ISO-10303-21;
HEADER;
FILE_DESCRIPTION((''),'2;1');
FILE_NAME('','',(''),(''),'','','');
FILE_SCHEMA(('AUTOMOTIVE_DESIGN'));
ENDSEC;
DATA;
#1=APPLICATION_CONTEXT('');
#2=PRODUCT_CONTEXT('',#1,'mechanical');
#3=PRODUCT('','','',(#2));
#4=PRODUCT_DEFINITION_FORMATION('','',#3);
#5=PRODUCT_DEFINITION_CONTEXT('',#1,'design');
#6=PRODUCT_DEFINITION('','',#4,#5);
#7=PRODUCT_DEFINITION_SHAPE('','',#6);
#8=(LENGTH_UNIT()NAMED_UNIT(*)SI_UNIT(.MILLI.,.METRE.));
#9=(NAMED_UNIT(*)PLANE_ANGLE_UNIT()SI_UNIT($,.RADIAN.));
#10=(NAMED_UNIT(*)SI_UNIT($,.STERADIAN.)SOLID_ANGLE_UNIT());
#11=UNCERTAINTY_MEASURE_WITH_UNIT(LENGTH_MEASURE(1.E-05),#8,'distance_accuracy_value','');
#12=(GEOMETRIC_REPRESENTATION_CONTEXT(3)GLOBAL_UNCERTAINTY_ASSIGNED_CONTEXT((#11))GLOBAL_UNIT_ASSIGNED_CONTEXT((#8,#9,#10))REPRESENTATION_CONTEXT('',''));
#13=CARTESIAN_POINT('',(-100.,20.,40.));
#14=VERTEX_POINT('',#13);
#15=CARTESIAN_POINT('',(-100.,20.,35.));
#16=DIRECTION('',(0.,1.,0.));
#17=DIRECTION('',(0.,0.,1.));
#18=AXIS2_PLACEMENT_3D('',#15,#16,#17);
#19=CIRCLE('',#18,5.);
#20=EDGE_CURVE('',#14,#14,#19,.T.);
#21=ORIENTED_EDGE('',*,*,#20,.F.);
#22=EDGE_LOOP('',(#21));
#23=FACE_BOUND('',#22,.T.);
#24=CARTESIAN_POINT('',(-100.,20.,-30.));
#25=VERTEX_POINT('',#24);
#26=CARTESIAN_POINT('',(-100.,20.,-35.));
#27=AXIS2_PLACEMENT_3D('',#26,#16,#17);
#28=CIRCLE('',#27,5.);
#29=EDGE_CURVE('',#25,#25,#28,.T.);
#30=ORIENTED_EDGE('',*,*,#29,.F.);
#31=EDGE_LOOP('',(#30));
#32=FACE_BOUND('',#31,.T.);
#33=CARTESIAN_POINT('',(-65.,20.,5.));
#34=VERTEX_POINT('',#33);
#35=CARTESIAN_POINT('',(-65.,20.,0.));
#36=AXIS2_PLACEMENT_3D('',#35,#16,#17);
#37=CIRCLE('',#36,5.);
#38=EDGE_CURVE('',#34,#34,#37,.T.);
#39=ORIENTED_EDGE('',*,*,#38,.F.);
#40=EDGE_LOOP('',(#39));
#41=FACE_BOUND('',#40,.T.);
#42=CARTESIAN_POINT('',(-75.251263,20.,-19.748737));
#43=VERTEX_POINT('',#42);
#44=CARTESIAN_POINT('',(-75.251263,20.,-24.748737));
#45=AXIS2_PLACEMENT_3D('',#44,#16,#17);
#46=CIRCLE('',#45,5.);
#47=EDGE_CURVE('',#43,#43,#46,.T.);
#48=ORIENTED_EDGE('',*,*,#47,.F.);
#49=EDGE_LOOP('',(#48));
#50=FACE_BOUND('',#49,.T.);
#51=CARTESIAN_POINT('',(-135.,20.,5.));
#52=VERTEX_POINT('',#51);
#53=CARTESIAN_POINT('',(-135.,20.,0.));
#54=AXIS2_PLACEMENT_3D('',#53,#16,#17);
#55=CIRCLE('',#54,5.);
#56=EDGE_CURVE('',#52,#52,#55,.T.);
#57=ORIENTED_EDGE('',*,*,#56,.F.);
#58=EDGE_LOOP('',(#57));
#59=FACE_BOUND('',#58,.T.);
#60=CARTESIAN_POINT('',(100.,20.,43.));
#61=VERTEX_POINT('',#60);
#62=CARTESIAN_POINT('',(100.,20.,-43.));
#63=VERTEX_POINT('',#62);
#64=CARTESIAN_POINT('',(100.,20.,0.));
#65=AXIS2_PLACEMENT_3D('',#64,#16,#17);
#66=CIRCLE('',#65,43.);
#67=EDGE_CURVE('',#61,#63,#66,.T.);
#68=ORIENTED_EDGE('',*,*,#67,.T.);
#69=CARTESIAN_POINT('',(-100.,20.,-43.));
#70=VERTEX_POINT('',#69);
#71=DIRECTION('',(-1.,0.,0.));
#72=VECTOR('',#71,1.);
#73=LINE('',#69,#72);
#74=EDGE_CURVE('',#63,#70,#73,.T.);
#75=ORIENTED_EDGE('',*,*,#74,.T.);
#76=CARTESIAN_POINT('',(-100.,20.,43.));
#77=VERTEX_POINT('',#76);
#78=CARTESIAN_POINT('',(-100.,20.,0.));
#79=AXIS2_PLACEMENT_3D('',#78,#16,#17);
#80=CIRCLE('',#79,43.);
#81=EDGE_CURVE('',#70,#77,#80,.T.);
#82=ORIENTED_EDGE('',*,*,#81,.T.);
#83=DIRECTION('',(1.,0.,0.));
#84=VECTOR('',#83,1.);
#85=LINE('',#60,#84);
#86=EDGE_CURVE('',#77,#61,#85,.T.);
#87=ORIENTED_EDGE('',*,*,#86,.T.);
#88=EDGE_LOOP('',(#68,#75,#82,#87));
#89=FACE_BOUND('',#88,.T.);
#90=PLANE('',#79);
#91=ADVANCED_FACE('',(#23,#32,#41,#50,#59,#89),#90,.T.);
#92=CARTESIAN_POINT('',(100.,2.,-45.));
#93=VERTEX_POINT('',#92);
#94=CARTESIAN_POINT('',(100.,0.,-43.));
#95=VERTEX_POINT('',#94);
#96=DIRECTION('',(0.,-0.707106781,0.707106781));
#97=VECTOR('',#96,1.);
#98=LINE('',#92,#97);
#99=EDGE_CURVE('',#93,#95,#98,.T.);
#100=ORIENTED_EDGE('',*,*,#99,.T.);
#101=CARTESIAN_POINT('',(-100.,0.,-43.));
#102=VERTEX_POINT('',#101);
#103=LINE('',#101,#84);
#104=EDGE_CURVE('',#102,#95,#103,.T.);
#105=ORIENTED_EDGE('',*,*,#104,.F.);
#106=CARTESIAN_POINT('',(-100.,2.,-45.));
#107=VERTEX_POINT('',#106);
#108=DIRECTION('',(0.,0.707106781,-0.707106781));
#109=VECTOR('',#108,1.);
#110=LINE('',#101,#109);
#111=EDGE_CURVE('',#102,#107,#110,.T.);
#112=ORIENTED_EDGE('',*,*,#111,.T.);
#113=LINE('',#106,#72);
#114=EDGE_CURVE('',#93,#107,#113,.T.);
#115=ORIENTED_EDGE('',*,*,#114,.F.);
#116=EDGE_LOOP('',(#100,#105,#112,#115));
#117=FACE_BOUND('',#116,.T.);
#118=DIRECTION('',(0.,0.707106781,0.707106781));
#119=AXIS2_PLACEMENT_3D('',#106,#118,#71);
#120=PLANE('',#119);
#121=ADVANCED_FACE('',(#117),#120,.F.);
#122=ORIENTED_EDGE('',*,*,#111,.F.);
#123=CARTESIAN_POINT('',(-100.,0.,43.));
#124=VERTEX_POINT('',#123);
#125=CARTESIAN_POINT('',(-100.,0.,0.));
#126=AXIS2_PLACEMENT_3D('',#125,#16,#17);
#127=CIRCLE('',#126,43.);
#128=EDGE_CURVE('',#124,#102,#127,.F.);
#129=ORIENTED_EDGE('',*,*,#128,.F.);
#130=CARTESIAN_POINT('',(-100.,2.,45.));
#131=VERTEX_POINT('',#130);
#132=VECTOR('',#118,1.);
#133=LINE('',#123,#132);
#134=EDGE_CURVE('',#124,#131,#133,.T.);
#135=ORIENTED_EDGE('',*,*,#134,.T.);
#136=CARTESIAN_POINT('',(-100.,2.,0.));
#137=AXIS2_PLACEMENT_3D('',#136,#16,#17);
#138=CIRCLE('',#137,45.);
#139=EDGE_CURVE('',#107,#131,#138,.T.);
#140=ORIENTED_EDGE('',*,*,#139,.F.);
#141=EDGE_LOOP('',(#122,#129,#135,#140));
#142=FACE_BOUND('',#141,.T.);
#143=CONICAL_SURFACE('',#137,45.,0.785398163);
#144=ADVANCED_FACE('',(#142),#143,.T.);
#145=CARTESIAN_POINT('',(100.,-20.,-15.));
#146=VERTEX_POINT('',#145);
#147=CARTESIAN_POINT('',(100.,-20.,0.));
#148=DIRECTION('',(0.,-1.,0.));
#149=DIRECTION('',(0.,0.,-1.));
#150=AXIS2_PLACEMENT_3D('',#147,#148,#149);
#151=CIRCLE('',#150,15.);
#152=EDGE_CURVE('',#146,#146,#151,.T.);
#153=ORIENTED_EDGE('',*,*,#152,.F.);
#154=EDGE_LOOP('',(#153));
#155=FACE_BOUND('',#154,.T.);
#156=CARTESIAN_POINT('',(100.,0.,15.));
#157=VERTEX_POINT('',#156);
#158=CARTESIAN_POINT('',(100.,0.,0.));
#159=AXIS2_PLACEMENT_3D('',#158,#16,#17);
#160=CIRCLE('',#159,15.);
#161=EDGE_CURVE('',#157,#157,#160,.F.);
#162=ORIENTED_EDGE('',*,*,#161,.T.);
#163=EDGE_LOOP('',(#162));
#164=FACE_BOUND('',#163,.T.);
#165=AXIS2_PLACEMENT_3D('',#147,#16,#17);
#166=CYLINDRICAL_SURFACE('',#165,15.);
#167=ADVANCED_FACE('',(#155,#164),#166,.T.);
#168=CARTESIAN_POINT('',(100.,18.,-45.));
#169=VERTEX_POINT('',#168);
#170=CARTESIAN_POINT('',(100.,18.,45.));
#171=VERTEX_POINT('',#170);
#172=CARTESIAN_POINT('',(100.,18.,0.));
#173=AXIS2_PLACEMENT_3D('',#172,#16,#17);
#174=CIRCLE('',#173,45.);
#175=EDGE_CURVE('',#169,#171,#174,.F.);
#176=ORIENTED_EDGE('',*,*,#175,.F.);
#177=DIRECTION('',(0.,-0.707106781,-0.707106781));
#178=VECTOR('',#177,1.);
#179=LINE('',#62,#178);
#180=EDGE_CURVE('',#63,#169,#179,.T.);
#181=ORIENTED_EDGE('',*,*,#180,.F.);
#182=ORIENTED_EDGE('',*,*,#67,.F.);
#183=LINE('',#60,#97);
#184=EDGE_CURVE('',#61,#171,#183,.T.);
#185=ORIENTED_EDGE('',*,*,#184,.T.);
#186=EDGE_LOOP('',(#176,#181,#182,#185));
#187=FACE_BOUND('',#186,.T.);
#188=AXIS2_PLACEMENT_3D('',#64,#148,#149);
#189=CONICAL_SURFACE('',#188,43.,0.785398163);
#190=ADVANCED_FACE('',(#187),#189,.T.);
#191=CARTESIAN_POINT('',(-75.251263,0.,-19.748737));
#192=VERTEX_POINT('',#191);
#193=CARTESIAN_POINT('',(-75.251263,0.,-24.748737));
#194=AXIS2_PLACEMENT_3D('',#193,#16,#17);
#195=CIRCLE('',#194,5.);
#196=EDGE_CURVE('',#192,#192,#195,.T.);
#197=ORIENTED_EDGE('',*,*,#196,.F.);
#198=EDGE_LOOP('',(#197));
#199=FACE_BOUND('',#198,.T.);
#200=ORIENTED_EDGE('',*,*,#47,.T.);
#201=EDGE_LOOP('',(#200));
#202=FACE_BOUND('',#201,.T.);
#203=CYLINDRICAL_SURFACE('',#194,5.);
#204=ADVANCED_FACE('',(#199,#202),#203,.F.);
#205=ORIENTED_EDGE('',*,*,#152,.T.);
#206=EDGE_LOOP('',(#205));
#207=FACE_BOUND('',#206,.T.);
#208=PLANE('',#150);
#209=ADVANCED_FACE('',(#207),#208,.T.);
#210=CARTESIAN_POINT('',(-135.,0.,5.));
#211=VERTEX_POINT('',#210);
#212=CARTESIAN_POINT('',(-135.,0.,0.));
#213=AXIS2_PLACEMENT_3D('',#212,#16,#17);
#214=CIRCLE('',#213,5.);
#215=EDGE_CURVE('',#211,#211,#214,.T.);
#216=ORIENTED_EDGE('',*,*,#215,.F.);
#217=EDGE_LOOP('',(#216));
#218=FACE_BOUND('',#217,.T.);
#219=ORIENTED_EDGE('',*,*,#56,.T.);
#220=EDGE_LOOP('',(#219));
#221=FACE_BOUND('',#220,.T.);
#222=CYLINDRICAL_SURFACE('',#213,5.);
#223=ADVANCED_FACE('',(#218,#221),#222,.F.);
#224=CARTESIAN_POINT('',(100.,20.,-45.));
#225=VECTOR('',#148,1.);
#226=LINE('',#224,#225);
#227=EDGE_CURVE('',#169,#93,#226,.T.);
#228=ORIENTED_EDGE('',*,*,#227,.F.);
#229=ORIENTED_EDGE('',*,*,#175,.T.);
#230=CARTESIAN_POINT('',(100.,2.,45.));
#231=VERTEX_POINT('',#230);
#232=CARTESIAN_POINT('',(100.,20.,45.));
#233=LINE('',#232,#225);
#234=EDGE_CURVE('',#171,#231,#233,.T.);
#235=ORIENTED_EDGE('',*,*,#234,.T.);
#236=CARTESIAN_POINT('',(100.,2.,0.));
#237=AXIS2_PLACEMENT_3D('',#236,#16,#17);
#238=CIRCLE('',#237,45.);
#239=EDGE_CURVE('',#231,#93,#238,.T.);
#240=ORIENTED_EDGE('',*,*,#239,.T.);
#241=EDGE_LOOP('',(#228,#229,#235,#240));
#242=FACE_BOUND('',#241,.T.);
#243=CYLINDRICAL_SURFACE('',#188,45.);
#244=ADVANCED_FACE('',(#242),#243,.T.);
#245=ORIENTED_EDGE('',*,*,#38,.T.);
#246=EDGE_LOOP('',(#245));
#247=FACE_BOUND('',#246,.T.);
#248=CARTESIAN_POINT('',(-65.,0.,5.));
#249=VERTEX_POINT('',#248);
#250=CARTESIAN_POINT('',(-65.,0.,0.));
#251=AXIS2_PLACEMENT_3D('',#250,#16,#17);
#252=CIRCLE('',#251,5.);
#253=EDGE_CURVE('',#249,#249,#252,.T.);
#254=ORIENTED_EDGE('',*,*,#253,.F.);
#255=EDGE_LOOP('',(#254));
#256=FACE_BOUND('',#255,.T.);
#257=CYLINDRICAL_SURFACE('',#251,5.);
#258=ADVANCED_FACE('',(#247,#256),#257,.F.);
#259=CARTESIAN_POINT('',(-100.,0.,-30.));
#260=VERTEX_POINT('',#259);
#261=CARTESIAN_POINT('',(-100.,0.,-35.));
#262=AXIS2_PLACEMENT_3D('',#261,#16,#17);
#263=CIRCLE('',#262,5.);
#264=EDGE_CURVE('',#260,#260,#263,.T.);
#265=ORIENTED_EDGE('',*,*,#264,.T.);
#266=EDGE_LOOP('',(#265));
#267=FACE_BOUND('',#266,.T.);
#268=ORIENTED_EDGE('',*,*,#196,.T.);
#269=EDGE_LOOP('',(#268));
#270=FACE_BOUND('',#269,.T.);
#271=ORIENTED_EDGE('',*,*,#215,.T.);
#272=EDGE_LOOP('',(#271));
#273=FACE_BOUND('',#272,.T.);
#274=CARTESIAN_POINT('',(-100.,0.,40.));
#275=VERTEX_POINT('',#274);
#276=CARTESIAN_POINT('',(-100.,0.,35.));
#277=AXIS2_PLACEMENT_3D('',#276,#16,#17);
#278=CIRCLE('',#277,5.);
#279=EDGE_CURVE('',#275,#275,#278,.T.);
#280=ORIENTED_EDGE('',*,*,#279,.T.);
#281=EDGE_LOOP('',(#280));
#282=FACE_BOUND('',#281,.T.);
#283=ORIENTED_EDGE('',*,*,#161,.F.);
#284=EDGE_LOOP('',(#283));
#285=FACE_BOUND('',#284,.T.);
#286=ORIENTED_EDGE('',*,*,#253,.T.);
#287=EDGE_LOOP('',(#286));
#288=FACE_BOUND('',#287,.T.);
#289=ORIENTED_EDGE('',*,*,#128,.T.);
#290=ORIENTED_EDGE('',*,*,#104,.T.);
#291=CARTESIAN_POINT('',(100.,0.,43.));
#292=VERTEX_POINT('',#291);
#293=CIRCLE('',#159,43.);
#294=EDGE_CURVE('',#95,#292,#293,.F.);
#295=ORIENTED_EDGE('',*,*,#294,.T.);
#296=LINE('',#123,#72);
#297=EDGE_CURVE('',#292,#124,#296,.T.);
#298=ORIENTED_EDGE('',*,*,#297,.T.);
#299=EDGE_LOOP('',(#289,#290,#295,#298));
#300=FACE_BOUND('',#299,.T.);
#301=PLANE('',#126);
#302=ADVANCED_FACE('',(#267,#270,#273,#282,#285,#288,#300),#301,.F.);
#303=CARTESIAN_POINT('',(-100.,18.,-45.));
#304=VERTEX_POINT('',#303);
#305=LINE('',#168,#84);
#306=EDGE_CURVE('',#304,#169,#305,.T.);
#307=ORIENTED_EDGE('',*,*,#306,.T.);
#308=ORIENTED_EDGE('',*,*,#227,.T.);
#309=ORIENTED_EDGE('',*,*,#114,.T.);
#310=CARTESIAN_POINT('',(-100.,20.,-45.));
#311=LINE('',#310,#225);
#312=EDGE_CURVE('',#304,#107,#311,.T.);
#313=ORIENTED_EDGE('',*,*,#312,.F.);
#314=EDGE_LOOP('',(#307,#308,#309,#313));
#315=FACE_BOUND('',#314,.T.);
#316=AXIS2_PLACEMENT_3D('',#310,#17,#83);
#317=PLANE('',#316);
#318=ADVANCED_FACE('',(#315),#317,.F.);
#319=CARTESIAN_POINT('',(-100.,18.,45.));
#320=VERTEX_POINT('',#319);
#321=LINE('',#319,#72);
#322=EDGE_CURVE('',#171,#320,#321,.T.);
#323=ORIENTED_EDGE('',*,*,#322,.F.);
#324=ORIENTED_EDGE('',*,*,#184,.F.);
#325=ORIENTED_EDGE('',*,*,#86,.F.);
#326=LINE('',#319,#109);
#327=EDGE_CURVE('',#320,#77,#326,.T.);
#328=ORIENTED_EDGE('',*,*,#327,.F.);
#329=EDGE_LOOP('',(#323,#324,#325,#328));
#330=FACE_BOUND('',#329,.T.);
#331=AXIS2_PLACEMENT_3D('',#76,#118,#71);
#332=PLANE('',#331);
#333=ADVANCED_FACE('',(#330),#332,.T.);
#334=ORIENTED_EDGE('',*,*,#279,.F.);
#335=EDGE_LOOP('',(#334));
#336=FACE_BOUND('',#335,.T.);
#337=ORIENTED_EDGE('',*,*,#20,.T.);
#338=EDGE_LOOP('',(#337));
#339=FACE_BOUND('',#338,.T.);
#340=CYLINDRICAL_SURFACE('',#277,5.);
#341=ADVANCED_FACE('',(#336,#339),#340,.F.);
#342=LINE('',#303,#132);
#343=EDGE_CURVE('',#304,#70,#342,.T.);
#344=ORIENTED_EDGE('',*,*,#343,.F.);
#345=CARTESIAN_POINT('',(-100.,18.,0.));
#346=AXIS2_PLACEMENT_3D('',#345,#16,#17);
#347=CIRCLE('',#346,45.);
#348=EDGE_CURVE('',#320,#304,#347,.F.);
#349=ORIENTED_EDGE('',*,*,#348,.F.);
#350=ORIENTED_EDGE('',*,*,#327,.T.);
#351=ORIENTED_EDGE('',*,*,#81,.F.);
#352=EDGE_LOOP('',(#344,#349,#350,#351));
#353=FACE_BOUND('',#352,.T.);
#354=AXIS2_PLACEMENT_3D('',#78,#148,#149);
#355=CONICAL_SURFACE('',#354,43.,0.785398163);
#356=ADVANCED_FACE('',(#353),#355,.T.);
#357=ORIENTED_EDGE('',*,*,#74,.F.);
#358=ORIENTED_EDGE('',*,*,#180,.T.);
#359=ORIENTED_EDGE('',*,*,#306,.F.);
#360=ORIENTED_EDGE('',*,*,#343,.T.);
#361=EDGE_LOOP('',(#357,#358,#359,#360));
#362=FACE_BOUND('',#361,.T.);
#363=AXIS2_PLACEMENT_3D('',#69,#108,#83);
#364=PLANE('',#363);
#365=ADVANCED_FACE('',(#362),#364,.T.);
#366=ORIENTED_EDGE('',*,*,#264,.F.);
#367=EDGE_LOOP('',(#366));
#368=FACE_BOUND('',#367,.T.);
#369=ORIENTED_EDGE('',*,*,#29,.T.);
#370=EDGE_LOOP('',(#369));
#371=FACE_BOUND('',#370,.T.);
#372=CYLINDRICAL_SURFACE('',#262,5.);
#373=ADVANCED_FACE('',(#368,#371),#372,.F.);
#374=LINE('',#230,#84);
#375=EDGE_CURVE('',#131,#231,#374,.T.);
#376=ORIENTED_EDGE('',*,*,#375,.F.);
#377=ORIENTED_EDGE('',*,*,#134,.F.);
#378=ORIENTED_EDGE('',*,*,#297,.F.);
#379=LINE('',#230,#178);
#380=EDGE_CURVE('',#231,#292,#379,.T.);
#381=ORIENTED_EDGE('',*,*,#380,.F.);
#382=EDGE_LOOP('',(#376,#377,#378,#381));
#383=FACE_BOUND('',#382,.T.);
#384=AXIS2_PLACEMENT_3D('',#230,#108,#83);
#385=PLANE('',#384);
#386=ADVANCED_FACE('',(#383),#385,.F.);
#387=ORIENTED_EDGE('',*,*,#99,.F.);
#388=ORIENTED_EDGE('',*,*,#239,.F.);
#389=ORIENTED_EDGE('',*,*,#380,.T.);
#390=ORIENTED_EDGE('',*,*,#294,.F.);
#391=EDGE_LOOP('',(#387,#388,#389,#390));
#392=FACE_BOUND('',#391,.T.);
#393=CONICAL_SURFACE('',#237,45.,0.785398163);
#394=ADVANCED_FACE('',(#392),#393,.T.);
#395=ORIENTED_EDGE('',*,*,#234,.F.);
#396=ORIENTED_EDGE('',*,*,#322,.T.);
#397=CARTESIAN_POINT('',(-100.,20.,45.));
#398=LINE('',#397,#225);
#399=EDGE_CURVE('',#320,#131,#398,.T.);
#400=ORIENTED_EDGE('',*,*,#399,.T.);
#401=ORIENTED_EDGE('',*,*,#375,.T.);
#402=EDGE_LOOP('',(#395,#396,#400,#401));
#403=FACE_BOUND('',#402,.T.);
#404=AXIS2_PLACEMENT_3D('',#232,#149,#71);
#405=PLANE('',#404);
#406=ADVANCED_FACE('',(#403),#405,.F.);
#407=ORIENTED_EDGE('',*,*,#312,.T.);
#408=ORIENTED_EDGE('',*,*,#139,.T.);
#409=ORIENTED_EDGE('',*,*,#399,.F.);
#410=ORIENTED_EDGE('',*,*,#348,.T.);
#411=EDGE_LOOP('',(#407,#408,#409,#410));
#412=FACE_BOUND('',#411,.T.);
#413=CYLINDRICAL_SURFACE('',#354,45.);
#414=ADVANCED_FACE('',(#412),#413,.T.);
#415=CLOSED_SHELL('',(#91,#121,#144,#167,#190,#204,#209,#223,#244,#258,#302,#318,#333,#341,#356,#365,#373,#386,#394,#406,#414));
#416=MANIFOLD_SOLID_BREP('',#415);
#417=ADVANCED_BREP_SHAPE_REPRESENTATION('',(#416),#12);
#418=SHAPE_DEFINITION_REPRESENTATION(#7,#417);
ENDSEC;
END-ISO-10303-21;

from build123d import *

# Parameters (mm, degrees)
BOSS_EXTRUDE1_DEPTH = 20
SKETCH2_R           = 5
CUT_EXTRUDE1_DEPTH  = 21
SKETCH3_R           = 15
BOSS_EXTRUDE2_DEPTH = 20
CHAMFER1_SIZE       = 2


with BuildPart() as part:
    # Sketch1 → Boss-Extrude1 (new body)
    with BuildSketch(Plane(origin=(0, 0, 0), x_dir=(1, 0, 0), z_dir=(0, 1, 0))):
        with BuildLine():
            Line((-100, 45), (100, 45))
            ThreePointArc((100, 45), (145, 0), (100, -45))
            Line((100, -45), (-100, -45))
            ThreePointArc((-100, -45), (-145, 0), (-100, 45))
        make_face()
    extrude(amount=BOSS_EXTRUDE1_DEPTH)

    # Sketch2 → Cut-Extrude1 (cut, through all)
    with BuildSketch(Plane(origin=(0, 20, 0), x_dir=(1, 0, 0), z_dir=(0, 1, 0))):
        with Locations((-135, 0)):
            Circle(SKETCH2_R)
        with Locations((-100, 35)):
            Circle(SKETCH2_R)
        with Locations((-65, 0)):
            Circle(SKETCH2_R)
        with Locations((-100, -35)):
            Circle(SKETCH2_R)
        with Locations((-75.251262658, 24.748737342)):
            Circle(SKETCH2_R)
    extrude(amount=-CUT_EXTRUDE1_DEPTH, mode=Mode.SUBTRACT)

    # Sketch3 → Boss-Extrude2 (add)
    with BuildSketch(Plane.XZ):
        with Locations((100, 0)):
            Circle(SKETCH3_R)
    extrude(amount=BOSS_EXTRUDE2_DEPTH)

    # Chamfer1
    chamfer1_edges = [part.edges().sort_by_distance(p)[0] for p in [
        (145, 20, 0),
        (0, 20, -45),
        (-145, 20, 0),
        (0, 0, -45),
        (145, 0, 0),
        (0, 0, 45),
        (-145, 0, 0),
        (0, 20, 45),
    ]]
    chamfer(chamfer1_edges, length=CHAMFER1_SIZE)


solid = part.part
